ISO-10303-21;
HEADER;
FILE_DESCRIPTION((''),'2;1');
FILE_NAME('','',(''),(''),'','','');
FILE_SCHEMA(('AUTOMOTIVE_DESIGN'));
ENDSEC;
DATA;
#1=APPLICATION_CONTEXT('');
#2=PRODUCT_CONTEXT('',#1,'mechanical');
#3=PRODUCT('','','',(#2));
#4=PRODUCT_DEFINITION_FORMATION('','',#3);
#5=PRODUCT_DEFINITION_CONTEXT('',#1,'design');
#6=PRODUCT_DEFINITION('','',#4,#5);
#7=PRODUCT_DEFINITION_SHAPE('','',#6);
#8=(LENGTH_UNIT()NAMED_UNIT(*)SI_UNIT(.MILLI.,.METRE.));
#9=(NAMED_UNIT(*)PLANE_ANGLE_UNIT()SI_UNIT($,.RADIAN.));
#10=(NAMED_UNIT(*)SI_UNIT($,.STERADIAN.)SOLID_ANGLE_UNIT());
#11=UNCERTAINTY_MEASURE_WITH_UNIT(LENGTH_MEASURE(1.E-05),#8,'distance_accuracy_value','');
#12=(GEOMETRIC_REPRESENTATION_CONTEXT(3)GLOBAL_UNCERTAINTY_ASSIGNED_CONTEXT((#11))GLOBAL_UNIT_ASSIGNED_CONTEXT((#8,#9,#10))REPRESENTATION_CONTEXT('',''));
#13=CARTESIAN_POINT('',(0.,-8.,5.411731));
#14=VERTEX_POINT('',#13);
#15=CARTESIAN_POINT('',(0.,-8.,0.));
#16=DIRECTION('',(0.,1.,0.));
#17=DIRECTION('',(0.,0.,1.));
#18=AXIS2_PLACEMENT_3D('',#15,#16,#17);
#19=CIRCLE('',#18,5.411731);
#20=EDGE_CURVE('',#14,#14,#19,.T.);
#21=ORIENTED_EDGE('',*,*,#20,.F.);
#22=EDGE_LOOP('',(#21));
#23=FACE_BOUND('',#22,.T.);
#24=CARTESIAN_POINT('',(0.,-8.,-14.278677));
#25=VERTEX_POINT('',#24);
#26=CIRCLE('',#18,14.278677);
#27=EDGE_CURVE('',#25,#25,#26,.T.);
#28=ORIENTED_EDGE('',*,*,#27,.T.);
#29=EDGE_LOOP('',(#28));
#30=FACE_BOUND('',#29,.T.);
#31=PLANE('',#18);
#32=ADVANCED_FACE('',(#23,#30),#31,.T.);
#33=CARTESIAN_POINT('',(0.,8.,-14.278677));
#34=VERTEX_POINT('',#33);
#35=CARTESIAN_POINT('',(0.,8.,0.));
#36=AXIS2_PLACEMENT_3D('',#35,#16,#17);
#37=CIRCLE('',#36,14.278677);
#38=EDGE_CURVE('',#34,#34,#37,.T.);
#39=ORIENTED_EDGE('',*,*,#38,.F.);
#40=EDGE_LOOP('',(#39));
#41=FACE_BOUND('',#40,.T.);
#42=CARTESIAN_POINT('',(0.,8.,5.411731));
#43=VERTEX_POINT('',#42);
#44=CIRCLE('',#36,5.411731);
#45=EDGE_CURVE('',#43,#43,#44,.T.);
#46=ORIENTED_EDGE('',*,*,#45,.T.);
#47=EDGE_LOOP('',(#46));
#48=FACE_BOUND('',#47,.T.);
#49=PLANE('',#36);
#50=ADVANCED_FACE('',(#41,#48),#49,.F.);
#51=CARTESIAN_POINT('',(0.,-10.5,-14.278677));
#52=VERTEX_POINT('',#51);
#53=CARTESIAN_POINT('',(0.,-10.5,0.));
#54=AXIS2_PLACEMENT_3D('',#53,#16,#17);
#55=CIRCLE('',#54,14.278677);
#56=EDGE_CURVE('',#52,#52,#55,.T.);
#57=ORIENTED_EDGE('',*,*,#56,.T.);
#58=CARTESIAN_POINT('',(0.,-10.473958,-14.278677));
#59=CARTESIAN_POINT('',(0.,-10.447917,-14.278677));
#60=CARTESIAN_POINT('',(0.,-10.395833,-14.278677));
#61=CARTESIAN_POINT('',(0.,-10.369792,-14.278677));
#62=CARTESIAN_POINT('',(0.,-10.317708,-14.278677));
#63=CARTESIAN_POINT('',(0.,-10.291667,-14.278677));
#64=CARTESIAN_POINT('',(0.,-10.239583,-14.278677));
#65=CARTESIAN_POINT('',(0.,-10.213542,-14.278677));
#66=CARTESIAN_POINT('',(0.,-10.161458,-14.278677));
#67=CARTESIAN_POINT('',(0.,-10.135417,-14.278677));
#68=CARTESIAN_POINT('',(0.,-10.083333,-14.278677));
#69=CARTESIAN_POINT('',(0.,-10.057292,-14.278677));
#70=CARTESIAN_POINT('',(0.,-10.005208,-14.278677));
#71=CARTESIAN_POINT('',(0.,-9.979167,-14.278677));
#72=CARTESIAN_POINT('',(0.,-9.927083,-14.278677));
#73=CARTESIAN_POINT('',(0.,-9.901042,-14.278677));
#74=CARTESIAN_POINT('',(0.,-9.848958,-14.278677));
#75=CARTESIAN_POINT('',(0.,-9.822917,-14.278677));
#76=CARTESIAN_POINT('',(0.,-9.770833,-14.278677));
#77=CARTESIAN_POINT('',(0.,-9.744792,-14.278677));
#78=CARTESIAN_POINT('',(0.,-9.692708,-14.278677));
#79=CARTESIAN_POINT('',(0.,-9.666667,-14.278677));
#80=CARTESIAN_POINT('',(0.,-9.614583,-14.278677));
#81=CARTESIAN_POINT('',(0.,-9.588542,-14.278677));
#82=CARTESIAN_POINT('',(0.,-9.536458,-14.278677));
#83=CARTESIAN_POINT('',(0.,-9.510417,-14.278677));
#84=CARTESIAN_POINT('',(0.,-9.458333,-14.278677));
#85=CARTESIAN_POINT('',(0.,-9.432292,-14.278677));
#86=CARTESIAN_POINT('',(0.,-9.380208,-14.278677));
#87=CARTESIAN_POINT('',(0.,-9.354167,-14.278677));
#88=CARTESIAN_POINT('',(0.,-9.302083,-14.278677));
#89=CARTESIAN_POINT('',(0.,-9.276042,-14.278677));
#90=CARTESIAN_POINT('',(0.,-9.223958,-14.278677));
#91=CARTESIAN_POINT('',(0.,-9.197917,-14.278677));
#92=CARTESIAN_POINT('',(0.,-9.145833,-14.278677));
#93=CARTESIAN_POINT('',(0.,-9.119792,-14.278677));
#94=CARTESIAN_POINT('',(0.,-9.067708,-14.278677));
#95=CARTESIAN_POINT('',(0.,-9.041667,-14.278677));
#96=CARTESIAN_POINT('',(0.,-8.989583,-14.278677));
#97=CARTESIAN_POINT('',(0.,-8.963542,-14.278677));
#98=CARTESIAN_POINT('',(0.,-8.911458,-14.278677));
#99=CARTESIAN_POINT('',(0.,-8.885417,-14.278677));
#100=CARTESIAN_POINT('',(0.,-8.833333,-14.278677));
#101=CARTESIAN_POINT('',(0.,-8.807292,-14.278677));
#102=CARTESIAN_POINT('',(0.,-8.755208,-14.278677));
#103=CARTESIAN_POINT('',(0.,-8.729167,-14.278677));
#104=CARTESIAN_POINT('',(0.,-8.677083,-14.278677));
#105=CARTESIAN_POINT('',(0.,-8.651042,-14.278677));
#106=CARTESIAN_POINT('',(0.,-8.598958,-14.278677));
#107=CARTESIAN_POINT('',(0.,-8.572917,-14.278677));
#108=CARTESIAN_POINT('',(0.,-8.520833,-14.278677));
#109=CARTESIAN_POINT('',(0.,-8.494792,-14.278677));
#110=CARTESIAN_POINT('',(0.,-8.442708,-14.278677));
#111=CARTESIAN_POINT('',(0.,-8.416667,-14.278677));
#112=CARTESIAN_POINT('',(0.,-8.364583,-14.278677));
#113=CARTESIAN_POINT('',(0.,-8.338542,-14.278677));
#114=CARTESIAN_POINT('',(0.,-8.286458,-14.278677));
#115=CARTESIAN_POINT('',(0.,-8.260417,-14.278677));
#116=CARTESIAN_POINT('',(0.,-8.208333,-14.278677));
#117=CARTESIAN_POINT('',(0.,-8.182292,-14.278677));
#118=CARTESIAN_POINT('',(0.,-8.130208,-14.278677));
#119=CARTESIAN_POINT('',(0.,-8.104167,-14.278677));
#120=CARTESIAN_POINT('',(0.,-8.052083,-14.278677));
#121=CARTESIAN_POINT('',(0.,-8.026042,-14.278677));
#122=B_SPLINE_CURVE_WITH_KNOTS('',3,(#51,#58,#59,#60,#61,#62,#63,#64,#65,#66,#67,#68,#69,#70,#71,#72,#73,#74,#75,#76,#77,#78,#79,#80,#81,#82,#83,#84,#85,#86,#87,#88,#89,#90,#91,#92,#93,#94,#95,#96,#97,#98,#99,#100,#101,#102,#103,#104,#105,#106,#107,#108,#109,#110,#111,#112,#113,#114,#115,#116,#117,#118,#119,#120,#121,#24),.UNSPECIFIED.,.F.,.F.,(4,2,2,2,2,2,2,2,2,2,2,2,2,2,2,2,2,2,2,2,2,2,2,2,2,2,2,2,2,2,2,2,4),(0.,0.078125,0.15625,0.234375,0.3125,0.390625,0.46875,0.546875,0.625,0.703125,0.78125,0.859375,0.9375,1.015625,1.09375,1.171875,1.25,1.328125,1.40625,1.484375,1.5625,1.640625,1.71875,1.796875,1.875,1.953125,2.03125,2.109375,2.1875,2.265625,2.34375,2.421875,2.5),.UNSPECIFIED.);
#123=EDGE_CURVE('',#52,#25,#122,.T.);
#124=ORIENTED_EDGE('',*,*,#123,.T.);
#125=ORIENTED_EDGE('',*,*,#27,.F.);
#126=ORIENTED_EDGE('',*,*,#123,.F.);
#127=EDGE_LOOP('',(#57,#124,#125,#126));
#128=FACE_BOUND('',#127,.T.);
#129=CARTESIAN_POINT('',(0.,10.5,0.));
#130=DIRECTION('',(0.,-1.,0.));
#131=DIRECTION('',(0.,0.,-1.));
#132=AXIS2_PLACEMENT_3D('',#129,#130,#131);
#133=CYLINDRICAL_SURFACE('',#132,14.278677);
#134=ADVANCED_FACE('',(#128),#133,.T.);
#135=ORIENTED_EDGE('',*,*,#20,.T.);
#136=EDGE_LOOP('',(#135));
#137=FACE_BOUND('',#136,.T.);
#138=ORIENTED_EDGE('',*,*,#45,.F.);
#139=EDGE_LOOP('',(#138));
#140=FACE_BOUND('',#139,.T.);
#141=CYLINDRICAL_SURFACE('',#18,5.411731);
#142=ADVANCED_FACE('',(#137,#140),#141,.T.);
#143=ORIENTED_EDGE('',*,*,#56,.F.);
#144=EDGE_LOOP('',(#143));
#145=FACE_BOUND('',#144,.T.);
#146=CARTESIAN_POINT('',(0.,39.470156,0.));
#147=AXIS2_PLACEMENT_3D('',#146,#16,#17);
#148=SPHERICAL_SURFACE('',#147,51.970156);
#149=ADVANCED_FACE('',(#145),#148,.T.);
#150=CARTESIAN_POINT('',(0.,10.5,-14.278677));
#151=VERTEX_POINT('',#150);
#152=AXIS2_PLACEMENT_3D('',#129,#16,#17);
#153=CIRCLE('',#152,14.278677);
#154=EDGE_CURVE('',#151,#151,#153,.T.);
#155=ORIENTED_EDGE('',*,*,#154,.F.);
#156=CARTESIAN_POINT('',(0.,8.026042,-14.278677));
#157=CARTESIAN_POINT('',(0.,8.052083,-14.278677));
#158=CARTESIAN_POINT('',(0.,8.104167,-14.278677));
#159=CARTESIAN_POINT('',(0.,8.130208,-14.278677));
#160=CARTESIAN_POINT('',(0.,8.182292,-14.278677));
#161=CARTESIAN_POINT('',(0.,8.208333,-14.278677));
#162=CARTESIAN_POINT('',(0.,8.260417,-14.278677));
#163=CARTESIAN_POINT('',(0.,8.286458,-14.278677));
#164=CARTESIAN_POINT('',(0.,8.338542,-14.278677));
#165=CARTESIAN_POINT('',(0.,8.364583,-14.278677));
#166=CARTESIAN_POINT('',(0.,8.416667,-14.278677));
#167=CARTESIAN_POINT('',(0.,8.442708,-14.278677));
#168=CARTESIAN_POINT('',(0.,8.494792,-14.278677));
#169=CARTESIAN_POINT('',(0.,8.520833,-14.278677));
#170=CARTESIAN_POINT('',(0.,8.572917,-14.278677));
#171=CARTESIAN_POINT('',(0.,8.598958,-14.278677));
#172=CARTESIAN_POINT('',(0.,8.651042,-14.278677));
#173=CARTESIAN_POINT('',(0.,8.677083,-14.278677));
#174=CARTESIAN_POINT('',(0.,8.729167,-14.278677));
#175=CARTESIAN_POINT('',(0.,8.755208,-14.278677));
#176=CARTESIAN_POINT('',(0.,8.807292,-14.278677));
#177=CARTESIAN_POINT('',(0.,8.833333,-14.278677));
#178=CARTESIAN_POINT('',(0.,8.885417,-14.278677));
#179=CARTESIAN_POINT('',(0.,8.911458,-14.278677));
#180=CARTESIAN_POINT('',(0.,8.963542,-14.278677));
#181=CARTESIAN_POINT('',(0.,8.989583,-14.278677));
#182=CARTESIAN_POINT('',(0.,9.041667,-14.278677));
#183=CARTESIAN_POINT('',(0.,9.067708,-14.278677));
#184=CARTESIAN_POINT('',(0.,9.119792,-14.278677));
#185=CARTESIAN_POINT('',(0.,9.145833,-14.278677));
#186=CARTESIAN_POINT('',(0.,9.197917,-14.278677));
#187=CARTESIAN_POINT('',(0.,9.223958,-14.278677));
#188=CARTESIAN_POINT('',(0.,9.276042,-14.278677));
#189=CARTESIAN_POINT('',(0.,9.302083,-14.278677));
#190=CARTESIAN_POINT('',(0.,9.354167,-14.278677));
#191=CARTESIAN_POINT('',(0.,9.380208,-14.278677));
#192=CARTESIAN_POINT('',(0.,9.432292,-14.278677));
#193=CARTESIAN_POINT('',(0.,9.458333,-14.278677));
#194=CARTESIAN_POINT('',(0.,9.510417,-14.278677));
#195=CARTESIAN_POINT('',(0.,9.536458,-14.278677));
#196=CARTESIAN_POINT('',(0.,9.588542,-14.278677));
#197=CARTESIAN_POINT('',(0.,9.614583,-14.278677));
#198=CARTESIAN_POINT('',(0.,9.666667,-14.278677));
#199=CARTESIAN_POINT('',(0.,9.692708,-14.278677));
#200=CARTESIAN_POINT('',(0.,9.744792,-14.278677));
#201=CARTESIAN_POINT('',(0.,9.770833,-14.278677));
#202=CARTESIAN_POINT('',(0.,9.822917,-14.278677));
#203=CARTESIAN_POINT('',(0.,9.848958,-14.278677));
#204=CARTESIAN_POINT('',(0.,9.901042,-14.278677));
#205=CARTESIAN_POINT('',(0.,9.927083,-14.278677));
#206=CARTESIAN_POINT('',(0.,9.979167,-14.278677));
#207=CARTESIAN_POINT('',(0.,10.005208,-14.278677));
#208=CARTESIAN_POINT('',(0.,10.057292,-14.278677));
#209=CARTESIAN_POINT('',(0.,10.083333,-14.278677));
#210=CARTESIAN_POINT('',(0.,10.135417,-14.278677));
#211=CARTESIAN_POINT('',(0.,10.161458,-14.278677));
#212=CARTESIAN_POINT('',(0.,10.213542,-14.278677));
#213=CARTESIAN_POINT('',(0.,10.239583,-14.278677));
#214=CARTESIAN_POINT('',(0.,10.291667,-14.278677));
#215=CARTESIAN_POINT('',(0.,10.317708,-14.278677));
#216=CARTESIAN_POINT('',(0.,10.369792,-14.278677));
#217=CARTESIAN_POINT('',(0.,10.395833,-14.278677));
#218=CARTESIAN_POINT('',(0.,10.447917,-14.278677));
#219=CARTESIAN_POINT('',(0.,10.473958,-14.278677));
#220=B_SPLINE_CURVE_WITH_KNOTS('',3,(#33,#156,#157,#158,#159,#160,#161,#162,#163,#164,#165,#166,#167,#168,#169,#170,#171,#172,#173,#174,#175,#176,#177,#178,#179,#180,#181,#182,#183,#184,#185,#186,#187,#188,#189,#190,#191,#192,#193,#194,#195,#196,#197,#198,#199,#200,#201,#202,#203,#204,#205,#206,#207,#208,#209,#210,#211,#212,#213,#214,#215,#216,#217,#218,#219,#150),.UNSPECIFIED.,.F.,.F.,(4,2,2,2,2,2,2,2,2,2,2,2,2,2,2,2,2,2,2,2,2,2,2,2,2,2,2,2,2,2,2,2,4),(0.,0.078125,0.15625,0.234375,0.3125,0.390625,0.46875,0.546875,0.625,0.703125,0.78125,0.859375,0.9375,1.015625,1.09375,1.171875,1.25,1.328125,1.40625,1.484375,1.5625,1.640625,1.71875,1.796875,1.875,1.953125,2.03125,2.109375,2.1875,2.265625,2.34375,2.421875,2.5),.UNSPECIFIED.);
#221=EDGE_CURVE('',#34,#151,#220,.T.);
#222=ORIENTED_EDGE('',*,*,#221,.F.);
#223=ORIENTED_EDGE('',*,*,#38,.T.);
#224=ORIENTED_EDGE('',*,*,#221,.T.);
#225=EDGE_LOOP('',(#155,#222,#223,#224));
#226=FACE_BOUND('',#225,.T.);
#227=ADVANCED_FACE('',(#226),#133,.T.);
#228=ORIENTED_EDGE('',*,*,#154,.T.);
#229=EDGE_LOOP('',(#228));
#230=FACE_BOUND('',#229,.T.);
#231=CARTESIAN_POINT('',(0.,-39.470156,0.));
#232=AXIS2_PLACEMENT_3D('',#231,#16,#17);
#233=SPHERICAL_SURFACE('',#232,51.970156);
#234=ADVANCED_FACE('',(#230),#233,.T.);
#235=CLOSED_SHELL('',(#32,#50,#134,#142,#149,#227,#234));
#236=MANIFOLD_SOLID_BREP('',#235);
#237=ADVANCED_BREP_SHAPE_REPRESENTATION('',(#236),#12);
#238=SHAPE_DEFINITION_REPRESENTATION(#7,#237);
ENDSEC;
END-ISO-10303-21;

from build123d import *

# Parameters (mm, degrees)
SKETCH1_R           = 14.278677311
SKETCH1_R_2         = 5.411731441
BOSS_EXTRUDE1_DEPTH = 10.5
SKETCH1_3_R         = 14.278677311
SKETCH1_3_R_2       = 5.411731441
CUT_EXTRUDE1_DEPTH  = 8
DOME1_FACE_RADIUS   = 14.278677311
DOME1_HEIGHT        = 2
DOME2_FACE_RADIUS   = 14.278677311
DOME2_HEIGHT        = 2


with BuildPart() as part:
    # Sketch1 → Boss-Extrude1 (new, symmetric)
    with BuildSketch(Plane(origin=(0, 0, 0), x_dir=(1, 0, 0), z_dir=(0, 1, 0))):
        with Locations(Location((0, 0, 0), (0, 0, 90))):
            Circle(SKETCH1_R)
        Circle(SKETCH1_R_2, mode=Mode.SUBTRACT)
        Circle(SKETCH1_R_2)
    extrude(amount=BOSS_EXTRUDE1_DEPTH, both=True)

    # Sketch1<3> → Cut-Extrude1 (cut, symmetric)
    with BuildSketch(Plane(origin=(0, 0, 0), x_dir=(1, 0, 0), z_dir=(0, 1, 0))):
        with Locations(Location((0, 0, 0), (0, 0, 90))):
            Circle(SKETCH1_3_R)
        with Locations(Location((0, 0, 0), (0, 0, 270))):
            Circle(SKETCH1_3_R_2, mode=Mode.SUBTRACT)
    extrude(amount=CUT_EXTRUDE1_DEPTH, both=True, mode=Mode.SUBTRACT)

    # Dome1: a dome of height H over a round flat face of radius A is a cap of a sphere of radius (A * A + H * H) / (2 * H)
    dome1_r = (DOME1_FACE_RADIUS * DOME1_FACE_RADIUS + DOME1_HEIGHT * DOME1_HEIGHT) / (2 * DOME1_HEIGHT)
    dome1_base = Plane((0, -10.5, 0), z_dir=(0, -1, 0))
    with Locations(dome1_base.offset(DOME1_HEIGHT - dome1_r)):
        dome1_ball = Sphere(dome1_r, mode=Mode.PRIVATE)
    add(split(dome1_ball, bisect_by=dome1_base, keep=Keep.TOP, mode=Mode.PRIVATE))

    # Dome2: a dome of height H over a round flat face of radius A is a cap of a sphere of radius (A * A + H * H) / (2 * H)
    dome2_r = (DOME2_FACE_RADIUS * DOME2_FACE_RADIUS + DOME2_HEIGHT * DOME2_HEIGHT) / (2 * DOME2_HEIGHT)
    dome2_base = Plane((0, 10.5, 0), z_dir=(0, 1, 0))
    with Locations(dome2_base.offset(DOME2_HEIGHT - dome2_r)):
        dome2_ball = Sphere(dome2_r, mode=Mode.PRIVATE)
    add(split(dome2_ball, bisect_by=dome2_base, keep=Keep.TOP, mode=Mode.PRIVATE))


solid = part.part
